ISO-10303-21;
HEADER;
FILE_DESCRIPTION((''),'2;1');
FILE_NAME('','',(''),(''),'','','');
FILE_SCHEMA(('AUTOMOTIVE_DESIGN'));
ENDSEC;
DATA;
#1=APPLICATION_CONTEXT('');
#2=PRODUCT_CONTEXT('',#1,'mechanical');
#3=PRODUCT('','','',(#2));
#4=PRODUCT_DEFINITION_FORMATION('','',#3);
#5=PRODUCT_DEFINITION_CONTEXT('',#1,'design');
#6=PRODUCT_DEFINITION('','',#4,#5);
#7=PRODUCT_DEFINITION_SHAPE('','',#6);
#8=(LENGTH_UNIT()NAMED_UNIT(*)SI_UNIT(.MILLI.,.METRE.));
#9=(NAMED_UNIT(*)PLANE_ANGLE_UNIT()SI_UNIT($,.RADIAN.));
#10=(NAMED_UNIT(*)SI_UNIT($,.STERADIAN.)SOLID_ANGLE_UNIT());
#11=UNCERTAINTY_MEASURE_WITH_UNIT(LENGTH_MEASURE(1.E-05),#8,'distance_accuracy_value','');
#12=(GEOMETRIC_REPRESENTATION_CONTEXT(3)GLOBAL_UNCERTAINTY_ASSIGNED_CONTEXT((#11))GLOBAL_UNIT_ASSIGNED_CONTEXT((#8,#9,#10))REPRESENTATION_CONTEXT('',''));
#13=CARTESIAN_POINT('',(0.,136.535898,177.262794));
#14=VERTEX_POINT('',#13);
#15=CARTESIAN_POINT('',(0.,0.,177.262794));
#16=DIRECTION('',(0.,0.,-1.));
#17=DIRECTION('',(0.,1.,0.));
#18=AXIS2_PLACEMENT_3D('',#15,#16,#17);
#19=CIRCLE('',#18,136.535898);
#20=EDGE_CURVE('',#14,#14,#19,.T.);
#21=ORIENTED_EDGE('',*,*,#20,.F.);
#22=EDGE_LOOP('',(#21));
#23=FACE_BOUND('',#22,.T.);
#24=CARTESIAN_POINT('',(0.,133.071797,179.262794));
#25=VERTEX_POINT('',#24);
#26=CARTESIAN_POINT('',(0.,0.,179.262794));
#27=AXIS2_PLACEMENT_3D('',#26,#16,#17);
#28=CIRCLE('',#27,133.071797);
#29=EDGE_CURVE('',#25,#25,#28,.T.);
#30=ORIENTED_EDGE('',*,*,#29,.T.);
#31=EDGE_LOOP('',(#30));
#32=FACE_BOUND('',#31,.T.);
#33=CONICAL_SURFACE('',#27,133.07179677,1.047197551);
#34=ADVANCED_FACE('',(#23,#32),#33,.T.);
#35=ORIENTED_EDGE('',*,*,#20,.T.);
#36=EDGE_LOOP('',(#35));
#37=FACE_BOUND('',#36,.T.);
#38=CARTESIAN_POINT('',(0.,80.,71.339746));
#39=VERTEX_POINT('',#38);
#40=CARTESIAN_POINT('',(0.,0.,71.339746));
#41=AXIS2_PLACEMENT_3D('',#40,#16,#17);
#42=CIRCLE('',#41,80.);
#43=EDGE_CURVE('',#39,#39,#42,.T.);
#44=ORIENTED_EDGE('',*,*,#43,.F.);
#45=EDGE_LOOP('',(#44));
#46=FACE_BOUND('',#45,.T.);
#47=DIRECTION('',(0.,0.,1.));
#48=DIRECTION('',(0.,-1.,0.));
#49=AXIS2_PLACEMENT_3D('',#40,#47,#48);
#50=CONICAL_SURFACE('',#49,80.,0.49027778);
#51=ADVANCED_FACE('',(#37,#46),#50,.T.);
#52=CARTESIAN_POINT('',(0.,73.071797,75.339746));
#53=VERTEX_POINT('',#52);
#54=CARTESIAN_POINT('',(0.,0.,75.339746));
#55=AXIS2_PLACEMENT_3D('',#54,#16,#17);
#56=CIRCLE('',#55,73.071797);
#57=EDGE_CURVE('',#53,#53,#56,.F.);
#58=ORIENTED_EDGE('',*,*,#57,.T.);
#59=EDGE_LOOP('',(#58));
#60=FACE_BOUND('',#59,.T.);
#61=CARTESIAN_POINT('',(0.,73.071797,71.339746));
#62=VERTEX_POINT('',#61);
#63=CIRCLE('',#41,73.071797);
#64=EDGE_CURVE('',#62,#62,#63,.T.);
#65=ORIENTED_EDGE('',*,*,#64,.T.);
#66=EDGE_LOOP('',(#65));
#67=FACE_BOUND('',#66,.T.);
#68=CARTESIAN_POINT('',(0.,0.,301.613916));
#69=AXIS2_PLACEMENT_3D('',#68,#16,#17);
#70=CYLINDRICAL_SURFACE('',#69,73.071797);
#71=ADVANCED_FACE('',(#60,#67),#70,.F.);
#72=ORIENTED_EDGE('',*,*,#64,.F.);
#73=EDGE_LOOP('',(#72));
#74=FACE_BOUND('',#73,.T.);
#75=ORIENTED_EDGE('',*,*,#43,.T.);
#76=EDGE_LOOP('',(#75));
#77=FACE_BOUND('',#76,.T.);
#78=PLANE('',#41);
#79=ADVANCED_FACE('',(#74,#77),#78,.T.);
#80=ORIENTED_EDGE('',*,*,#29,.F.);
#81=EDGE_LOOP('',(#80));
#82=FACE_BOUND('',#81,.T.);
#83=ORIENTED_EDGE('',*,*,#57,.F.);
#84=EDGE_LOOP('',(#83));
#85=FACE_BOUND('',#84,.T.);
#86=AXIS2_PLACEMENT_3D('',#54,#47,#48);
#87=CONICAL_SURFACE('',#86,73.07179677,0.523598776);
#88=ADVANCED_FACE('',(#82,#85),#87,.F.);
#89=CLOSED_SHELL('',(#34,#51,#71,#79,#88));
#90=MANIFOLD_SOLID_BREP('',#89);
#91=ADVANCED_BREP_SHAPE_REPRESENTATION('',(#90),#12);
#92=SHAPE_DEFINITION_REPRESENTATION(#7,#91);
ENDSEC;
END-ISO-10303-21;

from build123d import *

# Parameters (mm, degrees)
SKETCH_1_R          = 100
SKETCH_1_R_2        = 95
EXTRUDE_1_DEPTH     = 70
EXTRUDE_START       = 5
SKETCH_2_R          = 100
EXTRUDE_2_DEPTH     = 5
SKETCH_6_R          = 100
CUT_EXTRUDE_1_DEPTH = 75
EXTRUDE_3_REACH     = 223.205
SKETCH_8_R          = 80
SKETCH_8_R_2        = 73.07179677


with BuildPart() as part:
    # 草图1 → 凸台-拉伸1 (new body)
    with BuildSketch(Plane.XY):
        Circle(SKETCH_1_R)
        Circle(SKETCH_1_R_2, mode=Mode.SUBTRACT)
    extrude(amount=EXTRUDE_1_DEPTH)

    # 草图2 → 凸台-拉伸2 (add)
    with BuildSketch(Plane(origin=(0, 0, 0), x_dir=(-1, 0, 0), z_dir=(0, 0, -1)).offset(EXTRUDE_START)):
        Circle(SKETCH_2_R)
    extrude(amount=-EXTRUDE_2_DEPTH)

    # 草图6 → 切除-拉伸1 (cut)
    with BuildSketch(Plane(origin=(0, 0, -5), x_dir=(-1, 0, 0), z_dir=(0, 0, -1))):
        Circle(SKETCH_6_R)
    extrude(amount=-CUT_EXTRUDE_1_DEPTH, mode=Mode.SUBTRACT)


with BuildPart() as body_2:
    # 草图5 → 旋转1 (revolve)
    with BuildSketch(Plane(origin=(0, 0, 0), x_dir=(0, 0, -1), z_dir=(1, 0, 0))):
        Polygon((-75.339745962, 73.07179677), (-71.339745962, 80), (-177.262794416, 136.535898385), (-179.262794416, 133.07179677), align=None)
    revolve(axis=Axis((0, 0, 0), (0, 0, 1)))

    # 凸台-拉伸3: up to this cone (the profile starts outside it)
    extrude_3_end = Plane(origin=(0, 0, 71.339746), z_dir=(0, 0, 1)).offset(-122.564063643) * Cone(1e-06, 240.773225898, 417.031459358, align=(Align.CENTER, Align.CENTER, Align.MIN), mode=Mode.PRIVATE)
    # 草图8 → 凸台-拉伸3 (add, up to the surface)
    with BuildSketch(Plane(origin=(0, 0, 71.339745962), x_dir=(-1, 0, 0), z_dir=(0, 0, -1)), mode=Mode.PRIVATE) as extrude_3_sk1:
        Circle(SKETCH_8_R)
        with Locations(Location((0, 0, 0), (0, 0, 90))):
            Circle(SKETCH_8_R_2, mode=Mode.SUBTRACT)
    extrude_3_tool1 = extrude(extrude_3_sk1.sketch, amount=-EXTRUDE_3_REACH, mode=Mode.PRIVATE) - extrude_3_end
    add(extrude_3_tool1.solids().sort_by_distance((77.737258, 0, 71.339746))[0])


solid = body_2.part
